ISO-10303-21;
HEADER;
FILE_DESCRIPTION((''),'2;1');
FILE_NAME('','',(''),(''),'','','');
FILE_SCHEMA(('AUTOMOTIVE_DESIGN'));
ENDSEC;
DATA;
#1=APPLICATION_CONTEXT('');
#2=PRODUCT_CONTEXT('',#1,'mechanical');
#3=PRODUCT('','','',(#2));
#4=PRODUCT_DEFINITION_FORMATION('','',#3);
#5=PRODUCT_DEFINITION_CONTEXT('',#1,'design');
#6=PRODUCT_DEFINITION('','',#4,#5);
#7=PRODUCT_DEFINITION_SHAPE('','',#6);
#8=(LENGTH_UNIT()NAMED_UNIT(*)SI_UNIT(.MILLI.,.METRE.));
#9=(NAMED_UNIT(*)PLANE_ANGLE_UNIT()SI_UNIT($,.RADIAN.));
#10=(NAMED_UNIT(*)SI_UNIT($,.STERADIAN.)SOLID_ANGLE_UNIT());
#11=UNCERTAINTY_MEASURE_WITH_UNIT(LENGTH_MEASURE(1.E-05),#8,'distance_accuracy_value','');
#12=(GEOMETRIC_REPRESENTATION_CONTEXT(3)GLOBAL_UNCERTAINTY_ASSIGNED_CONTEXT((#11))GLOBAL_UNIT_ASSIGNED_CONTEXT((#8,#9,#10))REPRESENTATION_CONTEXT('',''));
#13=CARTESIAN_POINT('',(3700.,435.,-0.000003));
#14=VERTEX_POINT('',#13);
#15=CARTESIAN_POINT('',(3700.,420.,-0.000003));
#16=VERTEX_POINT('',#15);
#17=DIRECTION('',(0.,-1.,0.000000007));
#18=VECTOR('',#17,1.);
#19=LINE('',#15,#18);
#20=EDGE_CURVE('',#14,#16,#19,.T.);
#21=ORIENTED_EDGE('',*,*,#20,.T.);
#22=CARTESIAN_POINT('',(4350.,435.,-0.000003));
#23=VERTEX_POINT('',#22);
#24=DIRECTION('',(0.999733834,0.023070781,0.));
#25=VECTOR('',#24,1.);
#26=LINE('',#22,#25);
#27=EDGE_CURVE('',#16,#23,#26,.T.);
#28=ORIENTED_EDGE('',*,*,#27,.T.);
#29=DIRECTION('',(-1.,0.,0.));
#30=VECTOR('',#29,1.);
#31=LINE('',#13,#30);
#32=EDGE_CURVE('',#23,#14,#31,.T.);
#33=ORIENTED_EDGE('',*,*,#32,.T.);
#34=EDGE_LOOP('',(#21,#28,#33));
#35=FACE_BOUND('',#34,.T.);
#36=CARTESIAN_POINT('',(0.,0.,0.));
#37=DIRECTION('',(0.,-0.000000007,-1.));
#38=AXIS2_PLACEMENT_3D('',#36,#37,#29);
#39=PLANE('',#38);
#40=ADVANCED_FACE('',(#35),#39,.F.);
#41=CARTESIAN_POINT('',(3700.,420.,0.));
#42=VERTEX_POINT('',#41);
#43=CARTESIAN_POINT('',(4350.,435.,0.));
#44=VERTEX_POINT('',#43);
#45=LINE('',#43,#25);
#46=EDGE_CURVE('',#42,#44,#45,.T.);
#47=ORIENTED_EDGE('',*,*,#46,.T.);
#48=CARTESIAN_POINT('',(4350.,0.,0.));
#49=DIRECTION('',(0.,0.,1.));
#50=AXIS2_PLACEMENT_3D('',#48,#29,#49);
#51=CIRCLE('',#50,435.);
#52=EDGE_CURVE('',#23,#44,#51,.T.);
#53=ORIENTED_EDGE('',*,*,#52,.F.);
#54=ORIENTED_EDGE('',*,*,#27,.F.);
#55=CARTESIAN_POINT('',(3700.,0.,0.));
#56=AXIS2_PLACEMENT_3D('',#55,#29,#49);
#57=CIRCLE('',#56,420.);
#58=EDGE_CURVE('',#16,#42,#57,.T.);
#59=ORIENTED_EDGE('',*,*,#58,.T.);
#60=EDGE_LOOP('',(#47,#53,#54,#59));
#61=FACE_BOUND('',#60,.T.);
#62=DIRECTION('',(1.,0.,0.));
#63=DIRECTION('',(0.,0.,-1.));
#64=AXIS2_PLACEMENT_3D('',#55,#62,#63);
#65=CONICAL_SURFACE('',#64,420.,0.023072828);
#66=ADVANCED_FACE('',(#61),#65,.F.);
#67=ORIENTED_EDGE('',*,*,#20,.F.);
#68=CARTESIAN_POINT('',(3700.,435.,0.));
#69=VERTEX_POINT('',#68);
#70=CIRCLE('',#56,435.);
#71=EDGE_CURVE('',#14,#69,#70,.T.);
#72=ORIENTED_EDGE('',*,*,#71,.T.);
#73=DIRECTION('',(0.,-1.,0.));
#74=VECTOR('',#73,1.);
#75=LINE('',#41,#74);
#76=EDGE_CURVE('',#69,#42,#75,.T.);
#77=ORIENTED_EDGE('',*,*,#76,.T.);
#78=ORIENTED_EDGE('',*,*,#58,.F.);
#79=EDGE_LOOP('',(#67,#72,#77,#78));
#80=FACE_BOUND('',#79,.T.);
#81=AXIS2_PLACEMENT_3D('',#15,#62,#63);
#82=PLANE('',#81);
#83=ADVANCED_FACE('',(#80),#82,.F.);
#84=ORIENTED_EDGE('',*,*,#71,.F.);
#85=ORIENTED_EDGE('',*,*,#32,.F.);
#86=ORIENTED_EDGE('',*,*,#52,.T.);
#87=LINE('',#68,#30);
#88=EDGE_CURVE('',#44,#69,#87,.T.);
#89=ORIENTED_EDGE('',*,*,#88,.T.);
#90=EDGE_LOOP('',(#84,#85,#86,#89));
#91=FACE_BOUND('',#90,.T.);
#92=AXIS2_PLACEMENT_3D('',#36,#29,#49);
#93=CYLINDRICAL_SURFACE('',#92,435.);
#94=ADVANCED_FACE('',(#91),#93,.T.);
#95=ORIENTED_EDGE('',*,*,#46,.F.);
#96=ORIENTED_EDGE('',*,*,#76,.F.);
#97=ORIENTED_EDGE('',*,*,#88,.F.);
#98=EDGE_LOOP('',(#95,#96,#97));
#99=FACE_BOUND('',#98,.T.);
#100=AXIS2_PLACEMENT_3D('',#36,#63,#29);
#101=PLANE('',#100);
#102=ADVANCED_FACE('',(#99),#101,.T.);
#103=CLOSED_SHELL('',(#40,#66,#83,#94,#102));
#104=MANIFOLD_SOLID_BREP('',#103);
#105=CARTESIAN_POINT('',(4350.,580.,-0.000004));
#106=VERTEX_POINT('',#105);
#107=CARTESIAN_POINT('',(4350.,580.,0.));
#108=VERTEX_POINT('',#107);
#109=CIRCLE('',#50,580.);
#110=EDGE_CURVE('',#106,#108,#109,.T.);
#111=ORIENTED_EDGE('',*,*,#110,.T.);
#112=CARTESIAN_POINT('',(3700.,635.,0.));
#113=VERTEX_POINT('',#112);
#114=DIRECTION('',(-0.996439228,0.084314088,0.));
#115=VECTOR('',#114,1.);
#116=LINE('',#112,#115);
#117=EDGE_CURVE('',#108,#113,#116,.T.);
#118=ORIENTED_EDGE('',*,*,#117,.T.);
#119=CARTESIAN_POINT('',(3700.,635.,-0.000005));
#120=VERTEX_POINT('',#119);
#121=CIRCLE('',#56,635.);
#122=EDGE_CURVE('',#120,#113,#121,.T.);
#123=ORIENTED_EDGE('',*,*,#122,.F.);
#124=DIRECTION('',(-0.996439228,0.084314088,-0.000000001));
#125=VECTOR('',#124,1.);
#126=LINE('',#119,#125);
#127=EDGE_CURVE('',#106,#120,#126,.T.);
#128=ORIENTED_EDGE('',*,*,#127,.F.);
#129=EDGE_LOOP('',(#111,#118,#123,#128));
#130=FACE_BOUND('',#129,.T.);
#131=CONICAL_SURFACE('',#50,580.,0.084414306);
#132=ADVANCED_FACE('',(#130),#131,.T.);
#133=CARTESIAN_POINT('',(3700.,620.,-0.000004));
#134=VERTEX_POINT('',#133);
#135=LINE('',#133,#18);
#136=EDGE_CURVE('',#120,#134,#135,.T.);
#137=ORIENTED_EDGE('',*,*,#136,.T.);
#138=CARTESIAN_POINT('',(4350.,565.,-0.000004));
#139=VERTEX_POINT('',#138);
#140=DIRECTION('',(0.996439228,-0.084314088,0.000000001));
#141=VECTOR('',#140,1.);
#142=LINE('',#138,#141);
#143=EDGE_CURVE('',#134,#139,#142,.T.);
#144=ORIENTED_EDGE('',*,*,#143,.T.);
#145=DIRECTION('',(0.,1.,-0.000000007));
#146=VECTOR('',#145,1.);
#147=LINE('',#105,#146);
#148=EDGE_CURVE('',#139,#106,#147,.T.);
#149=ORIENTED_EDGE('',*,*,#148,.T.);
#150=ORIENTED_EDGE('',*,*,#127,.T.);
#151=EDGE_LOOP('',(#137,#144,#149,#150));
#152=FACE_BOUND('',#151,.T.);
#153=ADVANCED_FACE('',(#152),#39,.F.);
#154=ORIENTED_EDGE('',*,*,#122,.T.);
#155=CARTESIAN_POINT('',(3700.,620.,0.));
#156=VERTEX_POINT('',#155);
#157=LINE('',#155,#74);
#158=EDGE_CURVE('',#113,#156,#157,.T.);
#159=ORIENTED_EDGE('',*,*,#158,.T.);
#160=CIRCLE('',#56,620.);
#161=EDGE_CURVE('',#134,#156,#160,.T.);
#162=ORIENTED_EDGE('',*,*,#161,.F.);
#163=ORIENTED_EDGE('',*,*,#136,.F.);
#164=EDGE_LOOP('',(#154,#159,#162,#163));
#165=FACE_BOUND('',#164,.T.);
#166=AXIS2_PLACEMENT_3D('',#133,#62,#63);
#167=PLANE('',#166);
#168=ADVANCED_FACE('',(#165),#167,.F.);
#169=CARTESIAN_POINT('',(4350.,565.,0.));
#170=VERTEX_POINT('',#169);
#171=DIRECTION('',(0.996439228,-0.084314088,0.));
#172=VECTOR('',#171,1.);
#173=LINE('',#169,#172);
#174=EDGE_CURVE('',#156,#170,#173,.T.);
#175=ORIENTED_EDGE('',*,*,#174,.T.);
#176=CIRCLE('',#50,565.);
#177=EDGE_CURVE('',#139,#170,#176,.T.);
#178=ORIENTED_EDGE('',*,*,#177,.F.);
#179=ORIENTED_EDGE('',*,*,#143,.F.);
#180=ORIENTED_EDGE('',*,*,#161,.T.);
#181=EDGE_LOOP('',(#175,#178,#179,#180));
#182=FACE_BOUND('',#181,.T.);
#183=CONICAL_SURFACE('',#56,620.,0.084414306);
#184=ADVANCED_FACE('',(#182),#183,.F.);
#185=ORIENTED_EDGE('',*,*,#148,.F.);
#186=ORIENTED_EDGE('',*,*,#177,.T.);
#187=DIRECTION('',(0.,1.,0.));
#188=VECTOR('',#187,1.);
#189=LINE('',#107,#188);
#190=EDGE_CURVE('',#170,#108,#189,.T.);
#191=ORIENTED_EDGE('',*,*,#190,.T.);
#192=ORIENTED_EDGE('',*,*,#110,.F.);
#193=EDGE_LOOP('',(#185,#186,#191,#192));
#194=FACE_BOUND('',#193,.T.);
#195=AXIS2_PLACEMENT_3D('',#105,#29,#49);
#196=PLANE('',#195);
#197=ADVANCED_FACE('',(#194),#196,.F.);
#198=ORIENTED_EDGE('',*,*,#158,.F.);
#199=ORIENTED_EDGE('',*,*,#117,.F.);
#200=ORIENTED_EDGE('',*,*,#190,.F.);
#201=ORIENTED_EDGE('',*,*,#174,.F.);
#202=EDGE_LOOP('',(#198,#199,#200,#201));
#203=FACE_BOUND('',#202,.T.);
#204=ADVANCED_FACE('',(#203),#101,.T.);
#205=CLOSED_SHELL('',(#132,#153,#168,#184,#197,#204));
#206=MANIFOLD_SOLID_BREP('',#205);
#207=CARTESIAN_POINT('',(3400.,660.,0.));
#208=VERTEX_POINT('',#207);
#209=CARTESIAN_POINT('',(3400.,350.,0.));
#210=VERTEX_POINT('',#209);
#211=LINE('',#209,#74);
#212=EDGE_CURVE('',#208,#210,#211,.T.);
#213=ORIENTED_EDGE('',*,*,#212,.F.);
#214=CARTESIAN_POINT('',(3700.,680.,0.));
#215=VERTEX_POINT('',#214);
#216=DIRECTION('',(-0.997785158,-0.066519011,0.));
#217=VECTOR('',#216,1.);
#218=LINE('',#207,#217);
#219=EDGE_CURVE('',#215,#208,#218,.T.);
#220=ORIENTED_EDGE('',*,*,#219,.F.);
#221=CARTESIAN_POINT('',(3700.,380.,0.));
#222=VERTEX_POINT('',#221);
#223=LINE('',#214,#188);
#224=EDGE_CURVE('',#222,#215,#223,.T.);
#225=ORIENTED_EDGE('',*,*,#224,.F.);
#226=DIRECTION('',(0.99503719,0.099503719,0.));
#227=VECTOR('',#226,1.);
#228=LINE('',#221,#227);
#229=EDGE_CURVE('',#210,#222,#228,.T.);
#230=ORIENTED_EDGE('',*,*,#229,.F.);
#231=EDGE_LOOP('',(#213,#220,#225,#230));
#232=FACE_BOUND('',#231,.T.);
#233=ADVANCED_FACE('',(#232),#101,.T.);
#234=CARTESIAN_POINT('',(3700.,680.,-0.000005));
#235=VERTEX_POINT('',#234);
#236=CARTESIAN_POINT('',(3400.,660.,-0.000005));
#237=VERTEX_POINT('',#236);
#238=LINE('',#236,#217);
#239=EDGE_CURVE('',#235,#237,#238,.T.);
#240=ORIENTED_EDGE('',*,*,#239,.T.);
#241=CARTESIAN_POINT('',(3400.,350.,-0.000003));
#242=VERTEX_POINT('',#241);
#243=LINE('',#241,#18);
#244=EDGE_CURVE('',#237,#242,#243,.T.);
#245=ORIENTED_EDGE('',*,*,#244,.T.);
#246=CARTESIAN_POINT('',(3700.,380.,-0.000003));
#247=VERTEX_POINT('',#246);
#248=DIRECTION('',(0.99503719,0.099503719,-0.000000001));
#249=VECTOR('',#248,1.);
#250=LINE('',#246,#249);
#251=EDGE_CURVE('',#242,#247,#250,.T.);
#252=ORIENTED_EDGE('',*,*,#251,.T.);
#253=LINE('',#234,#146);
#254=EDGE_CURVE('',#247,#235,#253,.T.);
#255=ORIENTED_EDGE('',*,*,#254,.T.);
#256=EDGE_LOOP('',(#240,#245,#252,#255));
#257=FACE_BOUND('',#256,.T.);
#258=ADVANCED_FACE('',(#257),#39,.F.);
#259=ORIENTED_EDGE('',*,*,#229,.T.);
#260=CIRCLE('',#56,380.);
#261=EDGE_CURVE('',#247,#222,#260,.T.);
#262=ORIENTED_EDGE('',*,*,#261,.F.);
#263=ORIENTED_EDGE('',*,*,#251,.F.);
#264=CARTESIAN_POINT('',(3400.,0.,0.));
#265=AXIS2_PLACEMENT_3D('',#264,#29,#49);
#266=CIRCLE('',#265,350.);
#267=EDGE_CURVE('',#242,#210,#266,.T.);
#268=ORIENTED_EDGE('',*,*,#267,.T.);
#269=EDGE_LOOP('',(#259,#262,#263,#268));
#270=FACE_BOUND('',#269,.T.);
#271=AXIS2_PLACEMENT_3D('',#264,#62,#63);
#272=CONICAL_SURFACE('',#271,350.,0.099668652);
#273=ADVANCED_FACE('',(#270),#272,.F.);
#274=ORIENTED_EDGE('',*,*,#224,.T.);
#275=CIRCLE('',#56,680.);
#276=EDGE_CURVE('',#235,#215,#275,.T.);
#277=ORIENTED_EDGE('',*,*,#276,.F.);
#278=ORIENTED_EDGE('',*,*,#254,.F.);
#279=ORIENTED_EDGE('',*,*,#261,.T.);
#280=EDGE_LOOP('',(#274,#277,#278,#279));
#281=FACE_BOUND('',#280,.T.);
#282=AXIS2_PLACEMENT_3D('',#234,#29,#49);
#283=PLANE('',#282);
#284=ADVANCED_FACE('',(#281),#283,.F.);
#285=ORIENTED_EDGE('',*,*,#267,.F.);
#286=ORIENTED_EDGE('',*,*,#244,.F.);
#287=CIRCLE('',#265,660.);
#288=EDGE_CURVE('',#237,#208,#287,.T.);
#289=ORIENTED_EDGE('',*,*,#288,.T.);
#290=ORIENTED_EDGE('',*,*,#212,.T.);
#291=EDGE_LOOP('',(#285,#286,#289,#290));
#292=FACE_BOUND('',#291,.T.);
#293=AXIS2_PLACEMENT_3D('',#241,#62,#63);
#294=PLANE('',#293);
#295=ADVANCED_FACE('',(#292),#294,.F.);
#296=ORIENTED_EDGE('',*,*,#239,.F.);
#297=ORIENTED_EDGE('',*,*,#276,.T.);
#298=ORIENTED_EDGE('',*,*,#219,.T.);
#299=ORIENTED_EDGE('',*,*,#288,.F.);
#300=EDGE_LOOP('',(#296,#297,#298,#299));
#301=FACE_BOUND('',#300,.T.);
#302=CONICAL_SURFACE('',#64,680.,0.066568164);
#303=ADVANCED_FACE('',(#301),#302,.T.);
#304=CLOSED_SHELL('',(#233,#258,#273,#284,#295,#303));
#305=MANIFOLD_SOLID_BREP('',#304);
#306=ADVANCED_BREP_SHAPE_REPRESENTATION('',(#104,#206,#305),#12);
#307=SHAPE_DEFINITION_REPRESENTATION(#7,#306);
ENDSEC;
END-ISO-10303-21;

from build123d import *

# Parameters (mm, degrees)
REVOLVE1_ANGLE = 359.999999589
REVOLVE2_ANGLE = 359.999999589
REVOLVE3_ANGLE = 359.999999589


with BuildPart() as part:
    # Sketch1 → Revolve1 (revolve)
    with BuildSketch(Plane.XY):
        Polygon((3400, 350), (3400, 660), (3700, 680), (3700, 380), align=None)
    revolve(axis=Axis((0, 0, 0), (1, 0, 0)), revolution_arc=REVOLVE1_ANGLE)


with BuildPart() as body_2:
    # Sketch2 → Revolve2 (revolve)
    with BuildSketch(Plane.XY):
        Polygon((3700, 620), (3700, 635), (4350, 580), (4350, 565), align=None)
    revolve(axis=Axis((0, 0, 0), (1, 0, 0)), revolution_arc=REVOLVE2_ANGLE)


with BuildPart() as body_3:
    # Sketch3 → Revolve3 (revolve)
    with BuildSketch(Plane.XY):
        Polygon((3700, 420), (3700, 435), (4350, 435), align=None)
    revolve(axis=Axis((0, 0, 0), (1, 0, 0)), revolution_arc=REVOLVE3_ANGLE)


solid = Compound([part.part, body_2.part, body_3.part])
